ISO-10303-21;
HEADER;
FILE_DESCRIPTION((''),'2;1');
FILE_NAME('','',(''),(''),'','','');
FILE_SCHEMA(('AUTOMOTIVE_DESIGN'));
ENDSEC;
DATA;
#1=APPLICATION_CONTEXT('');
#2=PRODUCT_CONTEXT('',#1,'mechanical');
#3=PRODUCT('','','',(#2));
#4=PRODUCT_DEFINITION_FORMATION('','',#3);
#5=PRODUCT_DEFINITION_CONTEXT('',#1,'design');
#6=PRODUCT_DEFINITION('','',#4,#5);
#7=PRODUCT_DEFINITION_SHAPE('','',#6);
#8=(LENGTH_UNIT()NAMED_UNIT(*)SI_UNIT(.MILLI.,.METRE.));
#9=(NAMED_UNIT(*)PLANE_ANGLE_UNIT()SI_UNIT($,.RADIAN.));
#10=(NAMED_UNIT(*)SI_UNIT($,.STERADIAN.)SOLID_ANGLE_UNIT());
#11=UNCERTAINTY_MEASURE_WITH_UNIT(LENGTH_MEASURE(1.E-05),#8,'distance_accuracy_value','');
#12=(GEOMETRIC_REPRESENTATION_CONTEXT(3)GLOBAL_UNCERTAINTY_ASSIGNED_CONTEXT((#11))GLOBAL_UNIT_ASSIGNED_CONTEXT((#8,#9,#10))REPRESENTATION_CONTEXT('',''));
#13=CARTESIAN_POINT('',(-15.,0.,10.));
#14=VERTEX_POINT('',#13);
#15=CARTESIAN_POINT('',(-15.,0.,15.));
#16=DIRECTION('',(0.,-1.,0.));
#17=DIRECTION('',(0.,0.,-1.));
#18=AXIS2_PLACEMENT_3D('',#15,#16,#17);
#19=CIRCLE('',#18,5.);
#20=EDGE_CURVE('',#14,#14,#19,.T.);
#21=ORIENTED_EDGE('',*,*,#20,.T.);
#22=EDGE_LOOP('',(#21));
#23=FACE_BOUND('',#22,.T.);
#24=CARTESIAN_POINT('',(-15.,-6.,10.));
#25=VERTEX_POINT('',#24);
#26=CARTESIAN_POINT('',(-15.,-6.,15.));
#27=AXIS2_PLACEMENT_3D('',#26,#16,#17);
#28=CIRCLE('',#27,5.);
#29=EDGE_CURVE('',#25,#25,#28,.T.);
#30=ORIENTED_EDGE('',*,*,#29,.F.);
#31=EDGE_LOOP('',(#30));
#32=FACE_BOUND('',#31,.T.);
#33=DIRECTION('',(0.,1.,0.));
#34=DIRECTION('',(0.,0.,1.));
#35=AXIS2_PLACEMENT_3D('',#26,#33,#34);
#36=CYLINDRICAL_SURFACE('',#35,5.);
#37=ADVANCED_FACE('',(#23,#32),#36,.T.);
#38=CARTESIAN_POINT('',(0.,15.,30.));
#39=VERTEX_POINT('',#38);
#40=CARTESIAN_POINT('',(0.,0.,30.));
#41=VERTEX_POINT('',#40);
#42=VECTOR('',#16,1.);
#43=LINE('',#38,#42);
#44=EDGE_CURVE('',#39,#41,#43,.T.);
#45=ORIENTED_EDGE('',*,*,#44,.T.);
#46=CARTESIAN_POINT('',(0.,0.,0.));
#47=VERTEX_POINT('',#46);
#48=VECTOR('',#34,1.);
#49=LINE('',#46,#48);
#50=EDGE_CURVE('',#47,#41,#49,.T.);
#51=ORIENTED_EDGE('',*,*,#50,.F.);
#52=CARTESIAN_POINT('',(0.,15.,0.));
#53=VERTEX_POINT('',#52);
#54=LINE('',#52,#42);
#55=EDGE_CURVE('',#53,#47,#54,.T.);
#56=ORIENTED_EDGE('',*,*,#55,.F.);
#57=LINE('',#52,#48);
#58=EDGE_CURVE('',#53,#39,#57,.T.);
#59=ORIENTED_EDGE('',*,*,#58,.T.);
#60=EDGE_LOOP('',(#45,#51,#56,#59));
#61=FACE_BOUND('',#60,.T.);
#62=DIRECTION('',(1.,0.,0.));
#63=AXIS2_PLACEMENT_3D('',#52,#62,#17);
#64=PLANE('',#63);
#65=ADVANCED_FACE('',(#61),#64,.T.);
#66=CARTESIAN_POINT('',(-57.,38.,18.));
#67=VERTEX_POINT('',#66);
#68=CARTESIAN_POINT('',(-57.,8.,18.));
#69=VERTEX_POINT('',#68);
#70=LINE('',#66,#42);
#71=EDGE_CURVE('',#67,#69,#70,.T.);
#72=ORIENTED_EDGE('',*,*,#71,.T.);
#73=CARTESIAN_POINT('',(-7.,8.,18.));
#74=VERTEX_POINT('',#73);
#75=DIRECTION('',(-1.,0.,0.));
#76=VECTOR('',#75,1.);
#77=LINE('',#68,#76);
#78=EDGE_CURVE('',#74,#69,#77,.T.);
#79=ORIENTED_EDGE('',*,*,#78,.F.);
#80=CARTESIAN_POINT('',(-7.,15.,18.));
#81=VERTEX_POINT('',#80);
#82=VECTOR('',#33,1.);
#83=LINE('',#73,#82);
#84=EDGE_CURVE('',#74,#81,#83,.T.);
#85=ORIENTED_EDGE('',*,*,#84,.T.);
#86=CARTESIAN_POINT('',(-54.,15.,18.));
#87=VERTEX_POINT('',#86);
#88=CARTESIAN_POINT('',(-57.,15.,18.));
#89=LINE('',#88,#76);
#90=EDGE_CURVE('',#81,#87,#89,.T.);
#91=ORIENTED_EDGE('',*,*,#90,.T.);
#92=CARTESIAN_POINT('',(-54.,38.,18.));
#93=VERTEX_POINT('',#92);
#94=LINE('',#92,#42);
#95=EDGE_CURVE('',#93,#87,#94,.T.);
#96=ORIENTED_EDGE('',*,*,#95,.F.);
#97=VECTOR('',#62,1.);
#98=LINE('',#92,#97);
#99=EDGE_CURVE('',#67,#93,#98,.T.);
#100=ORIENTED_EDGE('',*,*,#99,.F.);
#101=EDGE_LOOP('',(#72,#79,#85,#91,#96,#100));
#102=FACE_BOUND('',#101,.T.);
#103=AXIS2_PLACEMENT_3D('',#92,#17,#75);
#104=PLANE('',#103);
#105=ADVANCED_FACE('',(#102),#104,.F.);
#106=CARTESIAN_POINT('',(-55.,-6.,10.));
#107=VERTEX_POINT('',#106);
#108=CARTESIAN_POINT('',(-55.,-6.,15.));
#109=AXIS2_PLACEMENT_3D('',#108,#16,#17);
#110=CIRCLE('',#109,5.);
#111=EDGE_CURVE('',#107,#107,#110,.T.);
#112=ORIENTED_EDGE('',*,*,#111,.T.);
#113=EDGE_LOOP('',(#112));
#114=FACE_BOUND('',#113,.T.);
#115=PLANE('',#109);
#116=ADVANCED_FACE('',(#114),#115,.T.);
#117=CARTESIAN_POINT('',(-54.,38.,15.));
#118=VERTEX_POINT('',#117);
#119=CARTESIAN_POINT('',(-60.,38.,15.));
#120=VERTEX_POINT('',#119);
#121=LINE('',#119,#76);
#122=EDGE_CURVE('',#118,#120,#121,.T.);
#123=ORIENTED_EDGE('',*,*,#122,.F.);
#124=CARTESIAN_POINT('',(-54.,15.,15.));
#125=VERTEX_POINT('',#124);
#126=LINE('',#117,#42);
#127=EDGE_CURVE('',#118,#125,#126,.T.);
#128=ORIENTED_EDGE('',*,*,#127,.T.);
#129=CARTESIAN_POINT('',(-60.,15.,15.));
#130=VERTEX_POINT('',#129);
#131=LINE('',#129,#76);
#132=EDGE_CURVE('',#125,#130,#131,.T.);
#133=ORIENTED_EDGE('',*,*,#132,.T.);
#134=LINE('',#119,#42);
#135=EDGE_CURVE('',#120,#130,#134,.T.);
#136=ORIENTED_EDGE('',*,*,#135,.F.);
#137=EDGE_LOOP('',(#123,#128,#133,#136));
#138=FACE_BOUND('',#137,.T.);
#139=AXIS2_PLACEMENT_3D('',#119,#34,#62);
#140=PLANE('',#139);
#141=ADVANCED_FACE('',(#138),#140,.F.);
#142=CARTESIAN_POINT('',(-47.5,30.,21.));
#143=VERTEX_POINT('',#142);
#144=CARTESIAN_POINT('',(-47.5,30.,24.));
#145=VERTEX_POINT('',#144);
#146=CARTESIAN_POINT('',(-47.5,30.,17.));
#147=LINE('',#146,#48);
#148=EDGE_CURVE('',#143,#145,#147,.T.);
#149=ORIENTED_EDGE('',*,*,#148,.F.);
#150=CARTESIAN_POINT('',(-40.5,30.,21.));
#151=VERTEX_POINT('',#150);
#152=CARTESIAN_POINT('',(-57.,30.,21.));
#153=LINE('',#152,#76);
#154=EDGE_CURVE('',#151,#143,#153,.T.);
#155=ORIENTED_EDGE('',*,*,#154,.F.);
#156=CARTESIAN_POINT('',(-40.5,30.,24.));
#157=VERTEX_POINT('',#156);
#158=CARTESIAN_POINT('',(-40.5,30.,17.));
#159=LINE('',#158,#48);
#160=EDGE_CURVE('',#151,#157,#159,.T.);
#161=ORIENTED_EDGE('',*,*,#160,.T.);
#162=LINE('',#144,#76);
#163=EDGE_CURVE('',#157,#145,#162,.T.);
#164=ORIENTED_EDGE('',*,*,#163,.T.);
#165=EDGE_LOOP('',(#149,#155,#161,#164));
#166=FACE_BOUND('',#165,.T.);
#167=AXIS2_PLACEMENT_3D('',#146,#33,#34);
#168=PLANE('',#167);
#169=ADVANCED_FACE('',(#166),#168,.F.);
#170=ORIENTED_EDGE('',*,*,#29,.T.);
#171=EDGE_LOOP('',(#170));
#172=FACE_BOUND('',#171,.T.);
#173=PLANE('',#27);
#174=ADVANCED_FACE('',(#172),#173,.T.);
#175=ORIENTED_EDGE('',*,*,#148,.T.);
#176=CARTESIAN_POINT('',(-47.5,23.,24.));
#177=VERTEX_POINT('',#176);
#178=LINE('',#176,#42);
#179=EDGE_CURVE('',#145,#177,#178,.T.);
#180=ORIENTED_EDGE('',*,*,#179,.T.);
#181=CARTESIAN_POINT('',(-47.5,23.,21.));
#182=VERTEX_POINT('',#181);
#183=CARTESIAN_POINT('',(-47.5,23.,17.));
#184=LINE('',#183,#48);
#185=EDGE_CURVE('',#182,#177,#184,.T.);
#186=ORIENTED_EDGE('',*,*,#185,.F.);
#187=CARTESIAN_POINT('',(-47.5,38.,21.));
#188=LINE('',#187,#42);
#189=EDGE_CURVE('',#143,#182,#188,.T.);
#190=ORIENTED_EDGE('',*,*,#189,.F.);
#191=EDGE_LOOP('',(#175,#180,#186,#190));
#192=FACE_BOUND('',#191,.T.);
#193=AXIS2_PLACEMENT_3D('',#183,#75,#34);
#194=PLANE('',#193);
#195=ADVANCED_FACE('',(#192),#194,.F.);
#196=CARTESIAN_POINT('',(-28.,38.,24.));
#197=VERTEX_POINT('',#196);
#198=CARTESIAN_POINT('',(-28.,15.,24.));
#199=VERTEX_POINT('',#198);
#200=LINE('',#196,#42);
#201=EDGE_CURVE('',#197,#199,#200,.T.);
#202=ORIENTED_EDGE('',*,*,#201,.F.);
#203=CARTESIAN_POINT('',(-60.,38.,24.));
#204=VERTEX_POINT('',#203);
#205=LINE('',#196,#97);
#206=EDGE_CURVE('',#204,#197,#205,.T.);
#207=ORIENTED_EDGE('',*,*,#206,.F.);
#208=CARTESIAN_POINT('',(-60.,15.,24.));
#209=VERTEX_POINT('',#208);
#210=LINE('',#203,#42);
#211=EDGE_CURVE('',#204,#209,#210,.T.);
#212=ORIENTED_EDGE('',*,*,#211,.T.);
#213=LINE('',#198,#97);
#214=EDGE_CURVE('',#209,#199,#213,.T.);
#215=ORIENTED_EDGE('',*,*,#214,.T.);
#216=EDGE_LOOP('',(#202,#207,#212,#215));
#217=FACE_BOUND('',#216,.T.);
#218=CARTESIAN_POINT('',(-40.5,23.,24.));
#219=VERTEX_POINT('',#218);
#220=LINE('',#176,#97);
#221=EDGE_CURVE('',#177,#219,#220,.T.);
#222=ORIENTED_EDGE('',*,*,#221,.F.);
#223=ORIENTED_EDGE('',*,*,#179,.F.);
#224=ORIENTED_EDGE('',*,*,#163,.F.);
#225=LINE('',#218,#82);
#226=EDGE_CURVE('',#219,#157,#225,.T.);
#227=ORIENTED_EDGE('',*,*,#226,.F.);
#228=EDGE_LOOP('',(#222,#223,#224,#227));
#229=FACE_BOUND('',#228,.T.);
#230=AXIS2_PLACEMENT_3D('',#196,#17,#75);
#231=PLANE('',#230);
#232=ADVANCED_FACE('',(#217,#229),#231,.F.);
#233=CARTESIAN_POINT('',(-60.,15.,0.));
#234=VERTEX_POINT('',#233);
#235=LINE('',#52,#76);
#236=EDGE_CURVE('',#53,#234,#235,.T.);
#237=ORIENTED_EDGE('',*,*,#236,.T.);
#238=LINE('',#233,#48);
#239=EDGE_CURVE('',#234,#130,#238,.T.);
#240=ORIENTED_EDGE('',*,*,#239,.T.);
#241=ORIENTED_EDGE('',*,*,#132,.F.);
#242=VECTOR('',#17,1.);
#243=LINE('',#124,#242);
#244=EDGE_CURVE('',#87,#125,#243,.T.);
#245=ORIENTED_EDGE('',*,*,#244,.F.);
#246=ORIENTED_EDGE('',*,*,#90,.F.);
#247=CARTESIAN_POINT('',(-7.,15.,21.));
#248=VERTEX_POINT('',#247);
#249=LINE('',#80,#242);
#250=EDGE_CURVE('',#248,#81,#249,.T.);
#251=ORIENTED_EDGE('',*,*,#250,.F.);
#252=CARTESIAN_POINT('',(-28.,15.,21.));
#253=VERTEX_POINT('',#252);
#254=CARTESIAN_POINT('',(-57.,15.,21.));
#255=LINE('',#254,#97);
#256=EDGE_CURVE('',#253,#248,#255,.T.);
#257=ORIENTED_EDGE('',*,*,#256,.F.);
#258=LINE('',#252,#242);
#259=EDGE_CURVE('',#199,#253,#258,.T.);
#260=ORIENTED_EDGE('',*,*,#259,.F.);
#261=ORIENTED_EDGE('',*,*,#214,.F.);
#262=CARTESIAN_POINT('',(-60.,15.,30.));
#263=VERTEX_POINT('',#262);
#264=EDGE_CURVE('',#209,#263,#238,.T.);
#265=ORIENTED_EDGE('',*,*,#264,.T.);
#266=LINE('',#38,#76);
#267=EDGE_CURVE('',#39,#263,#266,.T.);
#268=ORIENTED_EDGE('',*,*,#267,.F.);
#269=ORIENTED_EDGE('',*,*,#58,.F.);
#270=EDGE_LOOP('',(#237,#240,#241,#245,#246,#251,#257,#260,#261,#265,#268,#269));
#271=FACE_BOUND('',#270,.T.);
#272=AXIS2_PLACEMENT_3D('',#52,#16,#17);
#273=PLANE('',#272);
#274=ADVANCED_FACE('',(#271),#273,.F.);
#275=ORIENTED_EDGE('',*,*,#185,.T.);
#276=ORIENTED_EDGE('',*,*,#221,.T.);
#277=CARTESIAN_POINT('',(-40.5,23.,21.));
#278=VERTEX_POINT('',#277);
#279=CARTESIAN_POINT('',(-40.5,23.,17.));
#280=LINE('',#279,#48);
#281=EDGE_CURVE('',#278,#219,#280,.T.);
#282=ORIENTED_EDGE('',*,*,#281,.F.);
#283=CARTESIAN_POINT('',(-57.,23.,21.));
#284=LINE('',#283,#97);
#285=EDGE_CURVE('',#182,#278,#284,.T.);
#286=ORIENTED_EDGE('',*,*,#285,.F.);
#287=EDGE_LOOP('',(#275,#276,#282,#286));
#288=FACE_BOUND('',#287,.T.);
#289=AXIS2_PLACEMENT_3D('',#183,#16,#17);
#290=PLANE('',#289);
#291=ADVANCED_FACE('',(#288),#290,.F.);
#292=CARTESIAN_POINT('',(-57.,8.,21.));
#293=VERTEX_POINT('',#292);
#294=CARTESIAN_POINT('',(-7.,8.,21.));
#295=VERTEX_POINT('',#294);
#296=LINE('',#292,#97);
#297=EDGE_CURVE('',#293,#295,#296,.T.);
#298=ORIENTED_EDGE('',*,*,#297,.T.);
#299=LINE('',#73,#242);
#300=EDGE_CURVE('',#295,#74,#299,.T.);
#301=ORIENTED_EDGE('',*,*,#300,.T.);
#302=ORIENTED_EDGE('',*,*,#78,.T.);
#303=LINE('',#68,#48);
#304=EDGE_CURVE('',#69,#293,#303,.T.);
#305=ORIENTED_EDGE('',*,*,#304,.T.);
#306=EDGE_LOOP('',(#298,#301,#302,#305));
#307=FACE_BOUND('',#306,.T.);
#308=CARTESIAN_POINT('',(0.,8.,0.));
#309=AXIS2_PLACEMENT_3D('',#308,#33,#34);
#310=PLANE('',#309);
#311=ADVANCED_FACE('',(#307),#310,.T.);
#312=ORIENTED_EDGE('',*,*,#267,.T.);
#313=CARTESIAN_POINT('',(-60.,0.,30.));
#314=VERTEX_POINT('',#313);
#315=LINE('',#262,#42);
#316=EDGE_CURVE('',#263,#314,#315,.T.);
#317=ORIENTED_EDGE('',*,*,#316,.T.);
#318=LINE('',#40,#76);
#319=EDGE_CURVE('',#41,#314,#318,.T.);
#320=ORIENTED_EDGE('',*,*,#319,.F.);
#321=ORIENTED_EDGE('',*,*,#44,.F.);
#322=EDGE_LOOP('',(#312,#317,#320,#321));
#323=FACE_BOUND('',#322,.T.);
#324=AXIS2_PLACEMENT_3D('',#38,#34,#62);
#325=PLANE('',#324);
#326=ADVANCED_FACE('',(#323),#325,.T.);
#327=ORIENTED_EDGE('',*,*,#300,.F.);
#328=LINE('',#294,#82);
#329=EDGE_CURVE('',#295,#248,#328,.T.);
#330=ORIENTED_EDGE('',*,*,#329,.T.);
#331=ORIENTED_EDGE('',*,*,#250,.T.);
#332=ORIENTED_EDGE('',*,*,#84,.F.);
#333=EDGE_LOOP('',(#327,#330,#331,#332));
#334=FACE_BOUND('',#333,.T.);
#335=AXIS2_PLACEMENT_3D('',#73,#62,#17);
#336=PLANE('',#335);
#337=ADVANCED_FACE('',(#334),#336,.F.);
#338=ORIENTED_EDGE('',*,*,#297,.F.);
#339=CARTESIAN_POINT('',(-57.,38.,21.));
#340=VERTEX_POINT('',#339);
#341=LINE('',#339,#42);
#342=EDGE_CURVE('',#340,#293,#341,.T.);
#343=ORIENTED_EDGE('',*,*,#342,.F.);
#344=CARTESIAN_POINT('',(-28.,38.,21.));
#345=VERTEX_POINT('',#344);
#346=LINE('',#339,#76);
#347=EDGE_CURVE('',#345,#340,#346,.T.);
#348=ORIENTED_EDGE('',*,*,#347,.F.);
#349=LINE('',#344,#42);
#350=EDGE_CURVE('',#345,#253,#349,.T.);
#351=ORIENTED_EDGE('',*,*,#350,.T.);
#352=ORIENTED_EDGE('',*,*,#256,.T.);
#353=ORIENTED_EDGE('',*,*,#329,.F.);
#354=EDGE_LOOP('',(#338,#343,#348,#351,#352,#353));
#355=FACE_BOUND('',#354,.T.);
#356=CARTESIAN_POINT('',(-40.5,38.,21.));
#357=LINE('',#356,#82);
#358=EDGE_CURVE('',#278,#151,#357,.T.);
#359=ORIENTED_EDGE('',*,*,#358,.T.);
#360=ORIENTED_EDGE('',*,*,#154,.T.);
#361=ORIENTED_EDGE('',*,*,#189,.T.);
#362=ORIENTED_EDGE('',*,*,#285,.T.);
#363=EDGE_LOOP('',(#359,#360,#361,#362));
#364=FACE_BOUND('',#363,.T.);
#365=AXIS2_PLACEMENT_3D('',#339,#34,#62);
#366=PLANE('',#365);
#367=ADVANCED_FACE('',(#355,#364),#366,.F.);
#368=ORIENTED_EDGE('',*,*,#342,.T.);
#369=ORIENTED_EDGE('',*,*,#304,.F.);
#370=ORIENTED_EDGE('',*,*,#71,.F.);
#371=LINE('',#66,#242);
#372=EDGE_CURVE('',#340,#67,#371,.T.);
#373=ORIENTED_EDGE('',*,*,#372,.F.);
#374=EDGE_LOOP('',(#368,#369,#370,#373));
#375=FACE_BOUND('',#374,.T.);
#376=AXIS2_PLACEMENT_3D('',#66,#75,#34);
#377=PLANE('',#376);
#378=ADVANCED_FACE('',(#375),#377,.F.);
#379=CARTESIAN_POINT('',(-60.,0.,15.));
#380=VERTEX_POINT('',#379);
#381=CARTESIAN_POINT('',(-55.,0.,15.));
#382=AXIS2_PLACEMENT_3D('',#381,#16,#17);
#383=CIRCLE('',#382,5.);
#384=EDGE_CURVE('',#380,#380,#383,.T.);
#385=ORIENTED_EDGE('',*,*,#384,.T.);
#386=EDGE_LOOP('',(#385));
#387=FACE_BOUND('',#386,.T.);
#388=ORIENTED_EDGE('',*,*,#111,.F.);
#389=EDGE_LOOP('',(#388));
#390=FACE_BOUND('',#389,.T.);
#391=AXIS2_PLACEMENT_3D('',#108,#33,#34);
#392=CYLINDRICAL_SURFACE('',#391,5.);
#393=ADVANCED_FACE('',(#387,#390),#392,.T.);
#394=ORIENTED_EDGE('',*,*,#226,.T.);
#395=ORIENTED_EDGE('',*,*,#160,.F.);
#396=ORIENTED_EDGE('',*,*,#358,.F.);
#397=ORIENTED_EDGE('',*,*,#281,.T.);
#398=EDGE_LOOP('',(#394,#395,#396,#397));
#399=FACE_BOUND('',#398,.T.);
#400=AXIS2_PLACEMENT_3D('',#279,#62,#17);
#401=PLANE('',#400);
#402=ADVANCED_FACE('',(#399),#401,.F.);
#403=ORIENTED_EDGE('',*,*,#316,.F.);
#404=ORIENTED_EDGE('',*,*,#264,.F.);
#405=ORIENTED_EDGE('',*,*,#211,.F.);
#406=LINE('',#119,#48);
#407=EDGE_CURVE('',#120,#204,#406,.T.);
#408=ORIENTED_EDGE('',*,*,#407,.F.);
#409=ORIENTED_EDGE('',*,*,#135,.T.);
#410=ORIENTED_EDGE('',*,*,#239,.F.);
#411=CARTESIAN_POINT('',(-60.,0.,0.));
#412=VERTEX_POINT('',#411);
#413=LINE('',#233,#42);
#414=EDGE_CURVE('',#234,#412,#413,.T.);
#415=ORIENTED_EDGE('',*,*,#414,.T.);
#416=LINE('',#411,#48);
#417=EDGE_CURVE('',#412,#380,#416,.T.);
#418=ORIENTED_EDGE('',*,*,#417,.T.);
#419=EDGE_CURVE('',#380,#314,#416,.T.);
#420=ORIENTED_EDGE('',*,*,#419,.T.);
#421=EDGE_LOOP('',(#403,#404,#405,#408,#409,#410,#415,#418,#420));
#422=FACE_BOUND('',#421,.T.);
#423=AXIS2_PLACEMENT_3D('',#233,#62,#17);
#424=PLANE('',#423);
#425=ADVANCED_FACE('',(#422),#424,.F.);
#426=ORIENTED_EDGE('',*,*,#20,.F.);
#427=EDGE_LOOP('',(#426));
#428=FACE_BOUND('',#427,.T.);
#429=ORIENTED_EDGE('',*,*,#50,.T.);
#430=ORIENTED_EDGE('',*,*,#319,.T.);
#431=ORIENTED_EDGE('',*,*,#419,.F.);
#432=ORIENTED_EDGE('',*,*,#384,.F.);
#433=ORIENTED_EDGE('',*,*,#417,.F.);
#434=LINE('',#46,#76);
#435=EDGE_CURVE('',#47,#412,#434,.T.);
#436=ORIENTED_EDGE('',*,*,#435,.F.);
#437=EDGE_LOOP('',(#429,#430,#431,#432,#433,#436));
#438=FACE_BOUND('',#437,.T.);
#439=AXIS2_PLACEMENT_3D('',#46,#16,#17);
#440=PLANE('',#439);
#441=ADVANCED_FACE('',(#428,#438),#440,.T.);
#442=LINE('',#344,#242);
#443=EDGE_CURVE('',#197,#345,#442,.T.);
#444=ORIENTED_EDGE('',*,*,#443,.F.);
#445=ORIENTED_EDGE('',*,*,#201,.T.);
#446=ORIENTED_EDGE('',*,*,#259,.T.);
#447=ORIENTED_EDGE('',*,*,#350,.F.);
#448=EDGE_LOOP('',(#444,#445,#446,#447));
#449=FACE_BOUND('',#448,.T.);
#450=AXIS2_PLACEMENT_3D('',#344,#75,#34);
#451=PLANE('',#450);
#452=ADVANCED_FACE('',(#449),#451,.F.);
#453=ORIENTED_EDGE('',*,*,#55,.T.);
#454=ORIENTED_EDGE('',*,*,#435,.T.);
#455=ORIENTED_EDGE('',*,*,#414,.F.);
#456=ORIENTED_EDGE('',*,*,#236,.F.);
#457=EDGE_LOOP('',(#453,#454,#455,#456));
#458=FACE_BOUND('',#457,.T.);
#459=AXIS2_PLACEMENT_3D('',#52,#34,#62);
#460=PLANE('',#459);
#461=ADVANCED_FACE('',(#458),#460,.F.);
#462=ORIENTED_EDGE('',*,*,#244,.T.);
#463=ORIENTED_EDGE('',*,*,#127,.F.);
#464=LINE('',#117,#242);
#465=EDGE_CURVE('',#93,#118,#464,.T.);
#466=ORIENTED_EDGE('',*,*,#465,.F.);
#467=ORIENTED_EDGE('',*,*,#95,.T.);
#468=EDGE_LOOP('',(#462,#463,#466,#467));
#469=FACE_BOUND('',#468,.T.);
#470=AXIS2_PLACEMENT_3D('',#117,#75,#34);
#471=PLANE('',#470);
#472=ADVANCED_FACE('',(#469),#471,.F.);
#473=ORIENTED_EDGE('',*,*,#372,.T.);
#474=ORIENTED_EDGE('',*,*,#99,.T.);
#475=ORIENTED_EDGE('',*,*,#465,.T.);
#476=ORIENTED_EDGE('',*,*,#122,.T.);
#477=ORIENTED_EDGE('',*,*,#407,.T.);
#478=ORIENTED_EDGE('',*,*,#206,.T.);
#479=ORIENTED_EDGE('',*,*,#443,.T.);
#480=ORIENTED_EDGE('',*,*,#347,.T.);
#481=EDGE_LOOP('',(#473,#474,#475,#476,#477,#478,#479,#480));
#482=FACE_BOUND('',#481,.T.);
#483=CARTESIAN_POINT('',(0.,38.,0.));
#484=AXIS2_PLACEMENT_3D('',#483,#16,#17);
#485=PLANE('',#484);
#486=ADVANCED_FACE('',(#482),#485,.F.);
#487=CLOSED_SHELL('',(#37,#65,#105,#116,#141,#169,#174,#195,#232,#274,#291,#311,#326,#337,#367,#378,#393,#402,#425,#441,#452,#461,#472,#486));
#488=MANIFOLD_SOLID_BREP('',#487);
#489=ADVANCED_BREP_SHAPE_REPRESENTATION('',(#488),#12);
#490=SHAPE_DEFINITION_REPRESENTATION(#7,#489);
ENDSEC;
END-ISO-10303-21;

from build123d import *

# Parameters (mm, degrees)
ESQUISSE5_W             = 60
ESQUISSE5_H             = 30
BOSS_EXTRU_2_DEPTH      = 15
ESQUISSE6_R             = 5
BOSS_EXTRU_3_DEPTH      = 6
BOSS_EXTRU_4_DEPTH      = 23
ESQUISSE8_W             = 50
ESQUISSE8_H             = 3
ENL_V_MAT_EXTRU_1_DEPTH = 7
ESQUISSE9_W             = 7
ESQUISSE9_H             = 7
ENL_V_MAT_EXTRU_2_DEPTH = 7


with BuildPart() as part:
    # Esquisse5 → Boss.-Extru.2 (new body)
    with BuildSketch(Plane(origin=(0, 0, 0), x_dir=(1, 0, 0), z_dir=(0, 1, 0))):
        with Locations((-30, -15)):
            Rectangle(ESQUISSE5_W, ESQUISSE5_H)
    extrude(amount=BOSS_EXTRU_2_DEPTH)

    # Esquisse6 → Boss.-Extru.3 (add)
    with BuildSketch(Plane.XZ):
        with Locations((-55, 15)):
            Circle(ESQUISSE6_R)
        with Locations((-15, 15)):
            Circle(ESQUISSE6_R)
    extrude(amount=BOSS_EXTRU_3_DEPTH)

    # Esquisse7 → Boss.-Extru.4 (add)
    with BuildSketch(Plane(origin=(0, 15, 0), x_dir=(1, 0, 0), z_dir=(0, 1, 0))):
        Polygon((-60, -15), (-54, -15), (-54, -18), (-57, -18), (-57, -21), (-28, -21), (-28, -24), (-60, -24), align=None)
    extrude(amount=BOSS_EXTRU_4_DEPTH)

    # Esquisse8 → Enlèv. mat.-Extru.1 (cut)
    with BuildSketch(Plane(origin=(0, 15, 0), x_dir=(1, 0, 0), z_dir=(0, 1, 0))):
        with Locations((-32, -19.5)):
            Rectangle(ESQUISSE8_W, ESQUISSE8_H)
    extrude(amount=-ENL_V_MAT_EXTRU_1_DEPTH, mode=Mode.SUBTRACT)

    # Esquisse9 → Enlèv. mat.-Extru.2 (cut)
    with BuildSketch(Plane.XY.offset(24)):
        with Locations((-44, 26.5)):
            Rectangle(ESQUISSE9_W, ESQUISSE9_H)
    extrude(amount=-ENL_V_MAT_EXTRU_2_DEPTH, mode=Mode.SUBTRACT)


solid = part.part
